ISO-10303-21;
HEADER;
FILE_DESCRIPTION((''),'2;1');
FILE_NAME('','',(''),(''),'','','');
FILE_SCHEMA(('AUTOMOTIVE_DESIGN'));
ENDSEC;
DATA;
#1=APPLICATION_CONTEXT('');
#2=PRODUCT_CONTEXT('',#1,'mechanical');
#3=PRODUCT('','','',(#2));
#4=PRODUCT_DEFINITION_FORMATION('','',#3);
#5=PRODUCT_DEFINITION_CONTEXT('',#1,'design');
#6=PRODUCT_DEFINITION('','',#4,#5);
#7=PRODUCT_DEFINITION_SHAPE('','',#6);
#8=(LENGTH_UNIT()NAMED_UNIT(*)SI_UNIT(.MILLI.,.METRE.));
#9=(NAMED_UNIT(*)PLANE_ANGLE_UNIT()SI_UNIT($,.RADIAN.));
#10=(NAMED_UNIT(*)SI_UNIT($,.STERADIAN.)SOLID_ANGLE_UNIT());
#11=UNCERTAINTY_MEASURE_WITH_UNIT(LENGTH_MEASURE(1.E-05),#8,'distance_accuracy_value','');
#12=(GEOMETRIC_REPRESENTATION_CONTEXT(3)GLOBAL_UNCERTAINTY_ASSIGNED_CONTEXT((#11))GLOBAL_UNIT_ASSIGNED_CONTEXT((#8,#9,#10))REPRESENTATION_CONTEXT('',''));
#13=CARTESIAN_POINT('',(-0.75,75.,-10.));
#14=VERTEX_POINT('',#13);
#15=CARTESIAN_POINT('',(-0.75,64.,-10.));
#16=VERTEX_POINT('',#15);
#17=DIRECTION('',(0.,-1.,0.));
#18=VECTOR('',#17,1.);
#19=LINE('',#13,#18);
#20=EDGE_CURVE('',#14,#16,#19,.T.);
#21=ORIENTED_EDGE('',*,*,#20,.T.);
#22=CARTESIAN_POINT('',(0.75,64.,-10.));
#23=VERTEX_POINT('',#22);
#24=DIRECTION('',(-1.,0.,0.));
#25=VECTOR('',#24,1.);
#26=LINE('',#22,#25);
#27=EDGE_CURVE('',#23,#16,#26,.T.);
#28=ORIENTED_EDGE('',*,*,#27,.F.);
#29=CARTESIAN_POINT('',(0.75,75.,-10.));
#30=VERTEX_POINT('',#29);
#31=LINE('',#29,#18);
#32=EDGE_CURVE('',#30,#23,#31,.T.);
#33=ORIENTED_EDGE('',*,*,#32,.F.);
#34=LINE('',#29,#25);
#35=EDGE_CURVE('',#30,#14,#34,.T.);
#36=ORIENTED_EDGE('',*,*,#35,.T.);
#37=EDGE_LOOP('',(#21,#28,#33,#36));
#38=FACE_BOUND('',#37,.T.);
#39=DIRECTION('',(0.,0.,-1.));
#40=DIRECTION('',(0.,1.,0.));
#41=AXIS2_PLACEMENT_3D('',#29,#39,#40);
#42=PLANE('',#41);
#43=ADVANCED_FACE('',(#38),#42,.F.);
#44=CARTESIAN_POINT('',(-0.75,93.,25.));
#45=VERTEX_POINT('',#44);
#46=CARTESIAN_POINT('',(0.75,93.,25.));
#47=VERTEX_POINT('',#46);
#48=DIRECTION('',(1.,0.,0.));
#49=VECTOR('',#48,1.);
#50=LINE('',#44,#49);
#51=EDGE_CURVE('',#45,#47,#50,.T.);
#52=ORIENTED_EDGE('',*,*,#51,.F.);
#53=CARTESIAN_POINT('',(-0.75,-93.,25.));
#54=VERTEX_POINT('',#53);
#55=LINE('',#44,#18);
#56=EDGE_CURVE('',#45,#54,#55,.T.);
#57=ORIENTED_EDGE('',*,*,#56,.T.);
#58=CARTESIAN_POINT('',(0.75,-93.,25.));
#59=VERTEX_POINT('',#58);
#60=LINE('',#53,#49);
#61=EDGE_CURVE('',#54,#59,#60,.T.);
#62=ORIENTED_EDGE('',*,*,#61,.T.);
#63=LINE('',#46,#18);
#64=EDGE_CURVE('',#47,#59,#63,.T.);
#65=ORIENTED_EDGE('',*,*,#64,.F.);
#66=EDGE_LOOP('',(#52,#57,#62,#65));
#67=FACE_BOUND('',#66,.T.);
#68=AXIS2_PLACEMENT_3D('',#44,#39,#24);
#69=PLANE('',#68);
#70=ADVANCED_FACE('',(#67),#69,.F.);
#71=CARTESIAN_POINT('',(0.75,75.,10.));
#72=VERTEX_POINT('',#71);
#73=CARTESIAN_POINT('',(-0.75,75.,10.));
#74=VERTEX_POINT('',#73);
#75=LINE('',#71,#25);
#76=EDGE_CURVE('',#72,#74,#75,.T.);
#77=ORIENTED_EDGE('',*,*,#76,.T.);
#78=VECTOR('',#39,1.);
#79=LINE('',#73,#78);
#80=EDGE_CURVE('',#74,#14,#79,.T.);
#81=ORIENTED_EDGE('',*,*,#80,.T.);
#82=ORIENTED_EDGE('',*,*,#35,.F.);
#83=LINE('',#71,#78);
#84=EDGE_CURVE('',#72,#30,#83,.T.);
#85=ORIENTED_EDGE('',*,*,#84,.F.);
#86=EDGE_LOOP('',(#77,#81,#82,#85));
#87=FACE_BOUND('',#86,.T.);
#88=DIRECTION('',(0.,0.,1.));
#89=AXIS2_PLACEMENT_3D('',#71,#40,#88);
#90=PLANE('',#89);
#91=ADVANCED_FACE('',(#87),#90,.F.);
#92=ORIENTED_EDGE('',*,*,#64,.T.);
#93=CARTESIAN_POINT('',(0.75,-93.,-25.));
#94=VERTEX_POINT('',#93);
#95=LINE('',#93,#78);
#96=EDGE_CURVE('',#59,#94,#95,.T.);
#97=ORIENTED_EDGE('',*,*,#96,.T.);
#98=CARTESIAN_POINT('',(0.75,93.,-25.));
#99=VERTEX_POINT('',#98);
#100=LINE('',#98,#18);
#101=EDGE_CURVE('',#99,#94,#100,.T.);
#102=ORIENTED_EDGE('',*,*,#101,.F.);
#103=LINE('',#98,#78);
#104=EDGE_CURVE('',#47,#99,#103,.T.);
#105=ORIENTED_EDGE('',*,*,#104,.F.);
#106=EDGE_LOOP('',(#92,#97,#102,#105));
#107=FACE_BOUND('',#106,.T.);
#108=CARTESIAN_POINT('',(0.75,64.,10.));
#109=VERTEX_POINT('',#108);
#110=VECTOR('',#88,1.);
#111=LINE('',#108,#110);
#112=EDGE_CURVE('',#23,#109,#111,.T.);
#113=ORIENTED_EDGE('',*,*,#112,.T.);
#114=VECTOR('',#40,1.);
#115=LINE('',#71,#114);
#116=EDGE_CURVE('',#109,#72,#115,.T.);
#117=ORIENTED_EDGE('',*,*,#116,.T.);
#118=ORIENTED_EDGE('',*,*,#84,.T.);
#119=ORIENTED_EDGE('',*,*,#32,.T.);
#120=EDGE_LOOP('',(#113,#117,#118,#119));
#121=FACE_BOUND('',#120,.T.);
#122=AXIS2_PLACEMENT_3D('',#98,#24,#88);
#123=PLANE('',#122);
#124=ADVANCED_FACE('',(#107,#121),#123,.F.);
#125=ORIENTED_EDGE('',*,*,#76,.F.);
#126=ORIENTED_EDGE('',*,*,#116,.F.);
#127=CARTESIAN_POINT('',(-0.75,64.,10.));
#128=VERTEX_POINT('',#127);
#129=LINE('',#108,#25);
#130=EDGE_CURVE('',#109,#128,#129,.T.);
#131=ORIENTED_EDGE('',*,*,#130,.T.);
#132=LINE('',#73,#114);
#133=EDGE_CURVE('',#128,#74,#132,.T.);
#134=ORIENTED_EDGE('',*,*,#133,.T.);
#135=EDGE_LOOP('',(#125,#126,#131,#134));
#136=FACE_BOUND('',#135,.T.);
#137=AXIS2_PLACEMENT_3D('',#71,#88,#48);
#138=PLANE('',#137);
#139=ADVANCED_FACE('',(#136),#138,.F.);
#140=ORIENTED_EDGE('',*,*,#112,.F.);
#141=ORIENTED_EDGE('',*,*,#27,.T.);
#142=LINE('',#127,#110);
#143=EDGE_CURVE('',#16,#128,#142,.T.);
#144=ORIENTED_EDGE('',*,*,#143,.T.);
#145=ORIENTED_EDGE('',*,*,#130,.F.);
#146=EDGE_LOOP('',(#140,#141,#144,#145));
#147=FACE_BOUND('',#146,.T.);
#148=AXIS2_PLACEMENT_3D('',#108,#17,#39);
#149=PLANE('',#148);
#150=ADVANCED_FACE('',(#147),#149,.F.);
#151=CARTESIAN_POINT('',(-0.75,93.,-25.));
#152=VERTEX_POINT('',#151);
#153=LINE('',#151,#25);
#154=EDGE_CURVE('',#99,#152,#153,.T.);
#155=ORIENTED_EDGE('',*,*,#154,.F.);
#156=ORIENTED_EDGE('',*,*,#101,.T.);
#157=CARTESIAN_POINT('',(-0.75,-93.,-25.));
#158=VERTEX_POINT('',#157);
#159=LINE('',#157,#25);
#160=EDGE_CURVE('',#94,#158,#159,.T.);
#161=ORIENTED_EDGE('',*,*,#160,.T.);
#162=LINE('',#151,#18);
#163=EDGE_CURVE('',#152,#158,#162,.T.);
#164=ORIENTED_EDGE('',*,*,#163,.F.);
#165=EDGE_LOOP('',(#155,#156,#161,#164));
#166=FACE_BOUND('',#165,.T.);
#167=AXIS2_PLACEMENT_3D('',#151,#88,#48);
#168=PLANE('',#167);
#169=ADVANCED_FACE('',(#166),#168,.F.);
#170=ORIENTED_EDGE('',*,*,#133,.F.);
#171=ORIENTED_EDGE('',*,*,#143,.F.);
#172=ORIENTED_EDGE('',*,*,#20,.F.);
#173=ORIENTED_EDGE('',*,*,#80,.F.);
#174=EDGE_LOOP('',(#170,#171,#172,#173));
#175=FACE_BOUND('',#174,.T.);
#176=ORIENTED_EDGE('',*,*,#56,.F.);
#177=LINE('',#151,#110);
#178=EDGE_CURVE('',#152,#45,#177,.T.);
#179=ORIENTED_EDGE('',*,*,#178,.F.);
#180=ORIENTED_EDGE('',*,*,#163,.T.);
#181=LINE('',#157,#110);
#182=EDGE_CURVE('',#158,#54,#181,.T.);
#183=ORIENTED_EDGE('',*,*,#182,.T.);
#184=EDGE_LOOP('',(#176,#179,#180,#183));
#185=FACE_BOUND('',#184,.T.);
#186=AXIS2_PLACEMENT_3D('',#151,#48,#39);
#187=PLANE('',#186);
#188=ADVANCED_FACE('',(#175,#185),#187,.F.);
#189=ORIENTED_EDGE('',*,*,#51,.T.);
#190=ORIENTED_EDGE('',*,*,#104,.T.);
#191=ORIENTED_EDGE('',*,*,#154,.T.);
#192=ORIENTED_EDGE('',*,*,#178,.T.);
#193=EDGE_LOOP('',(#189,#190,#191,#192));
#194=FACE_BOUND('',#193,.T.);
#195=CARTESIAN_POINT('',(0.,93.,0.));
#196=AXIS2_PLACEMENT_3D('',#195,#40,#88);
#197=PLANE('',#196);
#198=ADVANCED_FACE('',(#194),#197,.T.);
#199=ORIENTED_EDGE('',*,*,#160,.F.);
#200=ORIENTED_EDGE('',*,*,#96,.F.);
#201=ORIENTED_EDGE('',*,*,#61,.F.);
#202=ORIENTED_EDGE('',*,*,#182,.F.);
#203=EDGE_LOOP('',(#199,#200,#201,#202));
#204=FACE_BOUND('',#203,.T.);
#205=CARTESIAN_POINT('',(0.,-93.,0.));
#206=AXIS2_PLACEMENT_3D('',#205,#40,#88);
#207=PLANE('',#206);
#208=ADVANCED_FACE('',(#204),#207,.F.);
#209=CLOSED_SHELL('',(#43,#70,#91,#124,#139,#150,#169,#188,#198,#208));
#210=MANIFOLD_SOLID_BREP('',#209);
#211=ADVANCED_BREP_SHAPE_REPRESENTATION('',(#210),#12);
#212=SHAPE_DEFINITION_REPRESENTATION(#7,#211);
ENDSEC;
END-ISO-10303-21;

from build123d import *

# Parameters (mm, degrees)
SKETCH1_W           = 1.5
SKETCH1_H           = 50
BOSS_EXTRUDE1_DEPTH = 93
SKETCH3_W           = 20
SKETCH3_H           = 11
SWITCH_DEPTH        = 2.5


with BuildPart() as part:
    # Sketch1 → Boss-Extrude1 (new body, symmetric)
    with BuildSketch(Plane(origin=(0, 0, 0), x_dir=(1, 0, 0), z_dir=(0, 1, 0))):
        Rectangle(SKETCH1_W, SKETCH1_H)
    extrude(amount=BOSS_EXTRUDE1_DEPTH, both=True)

    # Sketch3 → Switch (cut, through all)
    with BuildSketch(Plane.ZY.offset(0.75)):
        with Locations((0, 69.5)):
            Rectangle(SKETCH3_W, SKETCH3_H)
    extrude(amount=-SWITCH_DEPTH, mode=Mode.SUBTRACT)


solid = part.part
